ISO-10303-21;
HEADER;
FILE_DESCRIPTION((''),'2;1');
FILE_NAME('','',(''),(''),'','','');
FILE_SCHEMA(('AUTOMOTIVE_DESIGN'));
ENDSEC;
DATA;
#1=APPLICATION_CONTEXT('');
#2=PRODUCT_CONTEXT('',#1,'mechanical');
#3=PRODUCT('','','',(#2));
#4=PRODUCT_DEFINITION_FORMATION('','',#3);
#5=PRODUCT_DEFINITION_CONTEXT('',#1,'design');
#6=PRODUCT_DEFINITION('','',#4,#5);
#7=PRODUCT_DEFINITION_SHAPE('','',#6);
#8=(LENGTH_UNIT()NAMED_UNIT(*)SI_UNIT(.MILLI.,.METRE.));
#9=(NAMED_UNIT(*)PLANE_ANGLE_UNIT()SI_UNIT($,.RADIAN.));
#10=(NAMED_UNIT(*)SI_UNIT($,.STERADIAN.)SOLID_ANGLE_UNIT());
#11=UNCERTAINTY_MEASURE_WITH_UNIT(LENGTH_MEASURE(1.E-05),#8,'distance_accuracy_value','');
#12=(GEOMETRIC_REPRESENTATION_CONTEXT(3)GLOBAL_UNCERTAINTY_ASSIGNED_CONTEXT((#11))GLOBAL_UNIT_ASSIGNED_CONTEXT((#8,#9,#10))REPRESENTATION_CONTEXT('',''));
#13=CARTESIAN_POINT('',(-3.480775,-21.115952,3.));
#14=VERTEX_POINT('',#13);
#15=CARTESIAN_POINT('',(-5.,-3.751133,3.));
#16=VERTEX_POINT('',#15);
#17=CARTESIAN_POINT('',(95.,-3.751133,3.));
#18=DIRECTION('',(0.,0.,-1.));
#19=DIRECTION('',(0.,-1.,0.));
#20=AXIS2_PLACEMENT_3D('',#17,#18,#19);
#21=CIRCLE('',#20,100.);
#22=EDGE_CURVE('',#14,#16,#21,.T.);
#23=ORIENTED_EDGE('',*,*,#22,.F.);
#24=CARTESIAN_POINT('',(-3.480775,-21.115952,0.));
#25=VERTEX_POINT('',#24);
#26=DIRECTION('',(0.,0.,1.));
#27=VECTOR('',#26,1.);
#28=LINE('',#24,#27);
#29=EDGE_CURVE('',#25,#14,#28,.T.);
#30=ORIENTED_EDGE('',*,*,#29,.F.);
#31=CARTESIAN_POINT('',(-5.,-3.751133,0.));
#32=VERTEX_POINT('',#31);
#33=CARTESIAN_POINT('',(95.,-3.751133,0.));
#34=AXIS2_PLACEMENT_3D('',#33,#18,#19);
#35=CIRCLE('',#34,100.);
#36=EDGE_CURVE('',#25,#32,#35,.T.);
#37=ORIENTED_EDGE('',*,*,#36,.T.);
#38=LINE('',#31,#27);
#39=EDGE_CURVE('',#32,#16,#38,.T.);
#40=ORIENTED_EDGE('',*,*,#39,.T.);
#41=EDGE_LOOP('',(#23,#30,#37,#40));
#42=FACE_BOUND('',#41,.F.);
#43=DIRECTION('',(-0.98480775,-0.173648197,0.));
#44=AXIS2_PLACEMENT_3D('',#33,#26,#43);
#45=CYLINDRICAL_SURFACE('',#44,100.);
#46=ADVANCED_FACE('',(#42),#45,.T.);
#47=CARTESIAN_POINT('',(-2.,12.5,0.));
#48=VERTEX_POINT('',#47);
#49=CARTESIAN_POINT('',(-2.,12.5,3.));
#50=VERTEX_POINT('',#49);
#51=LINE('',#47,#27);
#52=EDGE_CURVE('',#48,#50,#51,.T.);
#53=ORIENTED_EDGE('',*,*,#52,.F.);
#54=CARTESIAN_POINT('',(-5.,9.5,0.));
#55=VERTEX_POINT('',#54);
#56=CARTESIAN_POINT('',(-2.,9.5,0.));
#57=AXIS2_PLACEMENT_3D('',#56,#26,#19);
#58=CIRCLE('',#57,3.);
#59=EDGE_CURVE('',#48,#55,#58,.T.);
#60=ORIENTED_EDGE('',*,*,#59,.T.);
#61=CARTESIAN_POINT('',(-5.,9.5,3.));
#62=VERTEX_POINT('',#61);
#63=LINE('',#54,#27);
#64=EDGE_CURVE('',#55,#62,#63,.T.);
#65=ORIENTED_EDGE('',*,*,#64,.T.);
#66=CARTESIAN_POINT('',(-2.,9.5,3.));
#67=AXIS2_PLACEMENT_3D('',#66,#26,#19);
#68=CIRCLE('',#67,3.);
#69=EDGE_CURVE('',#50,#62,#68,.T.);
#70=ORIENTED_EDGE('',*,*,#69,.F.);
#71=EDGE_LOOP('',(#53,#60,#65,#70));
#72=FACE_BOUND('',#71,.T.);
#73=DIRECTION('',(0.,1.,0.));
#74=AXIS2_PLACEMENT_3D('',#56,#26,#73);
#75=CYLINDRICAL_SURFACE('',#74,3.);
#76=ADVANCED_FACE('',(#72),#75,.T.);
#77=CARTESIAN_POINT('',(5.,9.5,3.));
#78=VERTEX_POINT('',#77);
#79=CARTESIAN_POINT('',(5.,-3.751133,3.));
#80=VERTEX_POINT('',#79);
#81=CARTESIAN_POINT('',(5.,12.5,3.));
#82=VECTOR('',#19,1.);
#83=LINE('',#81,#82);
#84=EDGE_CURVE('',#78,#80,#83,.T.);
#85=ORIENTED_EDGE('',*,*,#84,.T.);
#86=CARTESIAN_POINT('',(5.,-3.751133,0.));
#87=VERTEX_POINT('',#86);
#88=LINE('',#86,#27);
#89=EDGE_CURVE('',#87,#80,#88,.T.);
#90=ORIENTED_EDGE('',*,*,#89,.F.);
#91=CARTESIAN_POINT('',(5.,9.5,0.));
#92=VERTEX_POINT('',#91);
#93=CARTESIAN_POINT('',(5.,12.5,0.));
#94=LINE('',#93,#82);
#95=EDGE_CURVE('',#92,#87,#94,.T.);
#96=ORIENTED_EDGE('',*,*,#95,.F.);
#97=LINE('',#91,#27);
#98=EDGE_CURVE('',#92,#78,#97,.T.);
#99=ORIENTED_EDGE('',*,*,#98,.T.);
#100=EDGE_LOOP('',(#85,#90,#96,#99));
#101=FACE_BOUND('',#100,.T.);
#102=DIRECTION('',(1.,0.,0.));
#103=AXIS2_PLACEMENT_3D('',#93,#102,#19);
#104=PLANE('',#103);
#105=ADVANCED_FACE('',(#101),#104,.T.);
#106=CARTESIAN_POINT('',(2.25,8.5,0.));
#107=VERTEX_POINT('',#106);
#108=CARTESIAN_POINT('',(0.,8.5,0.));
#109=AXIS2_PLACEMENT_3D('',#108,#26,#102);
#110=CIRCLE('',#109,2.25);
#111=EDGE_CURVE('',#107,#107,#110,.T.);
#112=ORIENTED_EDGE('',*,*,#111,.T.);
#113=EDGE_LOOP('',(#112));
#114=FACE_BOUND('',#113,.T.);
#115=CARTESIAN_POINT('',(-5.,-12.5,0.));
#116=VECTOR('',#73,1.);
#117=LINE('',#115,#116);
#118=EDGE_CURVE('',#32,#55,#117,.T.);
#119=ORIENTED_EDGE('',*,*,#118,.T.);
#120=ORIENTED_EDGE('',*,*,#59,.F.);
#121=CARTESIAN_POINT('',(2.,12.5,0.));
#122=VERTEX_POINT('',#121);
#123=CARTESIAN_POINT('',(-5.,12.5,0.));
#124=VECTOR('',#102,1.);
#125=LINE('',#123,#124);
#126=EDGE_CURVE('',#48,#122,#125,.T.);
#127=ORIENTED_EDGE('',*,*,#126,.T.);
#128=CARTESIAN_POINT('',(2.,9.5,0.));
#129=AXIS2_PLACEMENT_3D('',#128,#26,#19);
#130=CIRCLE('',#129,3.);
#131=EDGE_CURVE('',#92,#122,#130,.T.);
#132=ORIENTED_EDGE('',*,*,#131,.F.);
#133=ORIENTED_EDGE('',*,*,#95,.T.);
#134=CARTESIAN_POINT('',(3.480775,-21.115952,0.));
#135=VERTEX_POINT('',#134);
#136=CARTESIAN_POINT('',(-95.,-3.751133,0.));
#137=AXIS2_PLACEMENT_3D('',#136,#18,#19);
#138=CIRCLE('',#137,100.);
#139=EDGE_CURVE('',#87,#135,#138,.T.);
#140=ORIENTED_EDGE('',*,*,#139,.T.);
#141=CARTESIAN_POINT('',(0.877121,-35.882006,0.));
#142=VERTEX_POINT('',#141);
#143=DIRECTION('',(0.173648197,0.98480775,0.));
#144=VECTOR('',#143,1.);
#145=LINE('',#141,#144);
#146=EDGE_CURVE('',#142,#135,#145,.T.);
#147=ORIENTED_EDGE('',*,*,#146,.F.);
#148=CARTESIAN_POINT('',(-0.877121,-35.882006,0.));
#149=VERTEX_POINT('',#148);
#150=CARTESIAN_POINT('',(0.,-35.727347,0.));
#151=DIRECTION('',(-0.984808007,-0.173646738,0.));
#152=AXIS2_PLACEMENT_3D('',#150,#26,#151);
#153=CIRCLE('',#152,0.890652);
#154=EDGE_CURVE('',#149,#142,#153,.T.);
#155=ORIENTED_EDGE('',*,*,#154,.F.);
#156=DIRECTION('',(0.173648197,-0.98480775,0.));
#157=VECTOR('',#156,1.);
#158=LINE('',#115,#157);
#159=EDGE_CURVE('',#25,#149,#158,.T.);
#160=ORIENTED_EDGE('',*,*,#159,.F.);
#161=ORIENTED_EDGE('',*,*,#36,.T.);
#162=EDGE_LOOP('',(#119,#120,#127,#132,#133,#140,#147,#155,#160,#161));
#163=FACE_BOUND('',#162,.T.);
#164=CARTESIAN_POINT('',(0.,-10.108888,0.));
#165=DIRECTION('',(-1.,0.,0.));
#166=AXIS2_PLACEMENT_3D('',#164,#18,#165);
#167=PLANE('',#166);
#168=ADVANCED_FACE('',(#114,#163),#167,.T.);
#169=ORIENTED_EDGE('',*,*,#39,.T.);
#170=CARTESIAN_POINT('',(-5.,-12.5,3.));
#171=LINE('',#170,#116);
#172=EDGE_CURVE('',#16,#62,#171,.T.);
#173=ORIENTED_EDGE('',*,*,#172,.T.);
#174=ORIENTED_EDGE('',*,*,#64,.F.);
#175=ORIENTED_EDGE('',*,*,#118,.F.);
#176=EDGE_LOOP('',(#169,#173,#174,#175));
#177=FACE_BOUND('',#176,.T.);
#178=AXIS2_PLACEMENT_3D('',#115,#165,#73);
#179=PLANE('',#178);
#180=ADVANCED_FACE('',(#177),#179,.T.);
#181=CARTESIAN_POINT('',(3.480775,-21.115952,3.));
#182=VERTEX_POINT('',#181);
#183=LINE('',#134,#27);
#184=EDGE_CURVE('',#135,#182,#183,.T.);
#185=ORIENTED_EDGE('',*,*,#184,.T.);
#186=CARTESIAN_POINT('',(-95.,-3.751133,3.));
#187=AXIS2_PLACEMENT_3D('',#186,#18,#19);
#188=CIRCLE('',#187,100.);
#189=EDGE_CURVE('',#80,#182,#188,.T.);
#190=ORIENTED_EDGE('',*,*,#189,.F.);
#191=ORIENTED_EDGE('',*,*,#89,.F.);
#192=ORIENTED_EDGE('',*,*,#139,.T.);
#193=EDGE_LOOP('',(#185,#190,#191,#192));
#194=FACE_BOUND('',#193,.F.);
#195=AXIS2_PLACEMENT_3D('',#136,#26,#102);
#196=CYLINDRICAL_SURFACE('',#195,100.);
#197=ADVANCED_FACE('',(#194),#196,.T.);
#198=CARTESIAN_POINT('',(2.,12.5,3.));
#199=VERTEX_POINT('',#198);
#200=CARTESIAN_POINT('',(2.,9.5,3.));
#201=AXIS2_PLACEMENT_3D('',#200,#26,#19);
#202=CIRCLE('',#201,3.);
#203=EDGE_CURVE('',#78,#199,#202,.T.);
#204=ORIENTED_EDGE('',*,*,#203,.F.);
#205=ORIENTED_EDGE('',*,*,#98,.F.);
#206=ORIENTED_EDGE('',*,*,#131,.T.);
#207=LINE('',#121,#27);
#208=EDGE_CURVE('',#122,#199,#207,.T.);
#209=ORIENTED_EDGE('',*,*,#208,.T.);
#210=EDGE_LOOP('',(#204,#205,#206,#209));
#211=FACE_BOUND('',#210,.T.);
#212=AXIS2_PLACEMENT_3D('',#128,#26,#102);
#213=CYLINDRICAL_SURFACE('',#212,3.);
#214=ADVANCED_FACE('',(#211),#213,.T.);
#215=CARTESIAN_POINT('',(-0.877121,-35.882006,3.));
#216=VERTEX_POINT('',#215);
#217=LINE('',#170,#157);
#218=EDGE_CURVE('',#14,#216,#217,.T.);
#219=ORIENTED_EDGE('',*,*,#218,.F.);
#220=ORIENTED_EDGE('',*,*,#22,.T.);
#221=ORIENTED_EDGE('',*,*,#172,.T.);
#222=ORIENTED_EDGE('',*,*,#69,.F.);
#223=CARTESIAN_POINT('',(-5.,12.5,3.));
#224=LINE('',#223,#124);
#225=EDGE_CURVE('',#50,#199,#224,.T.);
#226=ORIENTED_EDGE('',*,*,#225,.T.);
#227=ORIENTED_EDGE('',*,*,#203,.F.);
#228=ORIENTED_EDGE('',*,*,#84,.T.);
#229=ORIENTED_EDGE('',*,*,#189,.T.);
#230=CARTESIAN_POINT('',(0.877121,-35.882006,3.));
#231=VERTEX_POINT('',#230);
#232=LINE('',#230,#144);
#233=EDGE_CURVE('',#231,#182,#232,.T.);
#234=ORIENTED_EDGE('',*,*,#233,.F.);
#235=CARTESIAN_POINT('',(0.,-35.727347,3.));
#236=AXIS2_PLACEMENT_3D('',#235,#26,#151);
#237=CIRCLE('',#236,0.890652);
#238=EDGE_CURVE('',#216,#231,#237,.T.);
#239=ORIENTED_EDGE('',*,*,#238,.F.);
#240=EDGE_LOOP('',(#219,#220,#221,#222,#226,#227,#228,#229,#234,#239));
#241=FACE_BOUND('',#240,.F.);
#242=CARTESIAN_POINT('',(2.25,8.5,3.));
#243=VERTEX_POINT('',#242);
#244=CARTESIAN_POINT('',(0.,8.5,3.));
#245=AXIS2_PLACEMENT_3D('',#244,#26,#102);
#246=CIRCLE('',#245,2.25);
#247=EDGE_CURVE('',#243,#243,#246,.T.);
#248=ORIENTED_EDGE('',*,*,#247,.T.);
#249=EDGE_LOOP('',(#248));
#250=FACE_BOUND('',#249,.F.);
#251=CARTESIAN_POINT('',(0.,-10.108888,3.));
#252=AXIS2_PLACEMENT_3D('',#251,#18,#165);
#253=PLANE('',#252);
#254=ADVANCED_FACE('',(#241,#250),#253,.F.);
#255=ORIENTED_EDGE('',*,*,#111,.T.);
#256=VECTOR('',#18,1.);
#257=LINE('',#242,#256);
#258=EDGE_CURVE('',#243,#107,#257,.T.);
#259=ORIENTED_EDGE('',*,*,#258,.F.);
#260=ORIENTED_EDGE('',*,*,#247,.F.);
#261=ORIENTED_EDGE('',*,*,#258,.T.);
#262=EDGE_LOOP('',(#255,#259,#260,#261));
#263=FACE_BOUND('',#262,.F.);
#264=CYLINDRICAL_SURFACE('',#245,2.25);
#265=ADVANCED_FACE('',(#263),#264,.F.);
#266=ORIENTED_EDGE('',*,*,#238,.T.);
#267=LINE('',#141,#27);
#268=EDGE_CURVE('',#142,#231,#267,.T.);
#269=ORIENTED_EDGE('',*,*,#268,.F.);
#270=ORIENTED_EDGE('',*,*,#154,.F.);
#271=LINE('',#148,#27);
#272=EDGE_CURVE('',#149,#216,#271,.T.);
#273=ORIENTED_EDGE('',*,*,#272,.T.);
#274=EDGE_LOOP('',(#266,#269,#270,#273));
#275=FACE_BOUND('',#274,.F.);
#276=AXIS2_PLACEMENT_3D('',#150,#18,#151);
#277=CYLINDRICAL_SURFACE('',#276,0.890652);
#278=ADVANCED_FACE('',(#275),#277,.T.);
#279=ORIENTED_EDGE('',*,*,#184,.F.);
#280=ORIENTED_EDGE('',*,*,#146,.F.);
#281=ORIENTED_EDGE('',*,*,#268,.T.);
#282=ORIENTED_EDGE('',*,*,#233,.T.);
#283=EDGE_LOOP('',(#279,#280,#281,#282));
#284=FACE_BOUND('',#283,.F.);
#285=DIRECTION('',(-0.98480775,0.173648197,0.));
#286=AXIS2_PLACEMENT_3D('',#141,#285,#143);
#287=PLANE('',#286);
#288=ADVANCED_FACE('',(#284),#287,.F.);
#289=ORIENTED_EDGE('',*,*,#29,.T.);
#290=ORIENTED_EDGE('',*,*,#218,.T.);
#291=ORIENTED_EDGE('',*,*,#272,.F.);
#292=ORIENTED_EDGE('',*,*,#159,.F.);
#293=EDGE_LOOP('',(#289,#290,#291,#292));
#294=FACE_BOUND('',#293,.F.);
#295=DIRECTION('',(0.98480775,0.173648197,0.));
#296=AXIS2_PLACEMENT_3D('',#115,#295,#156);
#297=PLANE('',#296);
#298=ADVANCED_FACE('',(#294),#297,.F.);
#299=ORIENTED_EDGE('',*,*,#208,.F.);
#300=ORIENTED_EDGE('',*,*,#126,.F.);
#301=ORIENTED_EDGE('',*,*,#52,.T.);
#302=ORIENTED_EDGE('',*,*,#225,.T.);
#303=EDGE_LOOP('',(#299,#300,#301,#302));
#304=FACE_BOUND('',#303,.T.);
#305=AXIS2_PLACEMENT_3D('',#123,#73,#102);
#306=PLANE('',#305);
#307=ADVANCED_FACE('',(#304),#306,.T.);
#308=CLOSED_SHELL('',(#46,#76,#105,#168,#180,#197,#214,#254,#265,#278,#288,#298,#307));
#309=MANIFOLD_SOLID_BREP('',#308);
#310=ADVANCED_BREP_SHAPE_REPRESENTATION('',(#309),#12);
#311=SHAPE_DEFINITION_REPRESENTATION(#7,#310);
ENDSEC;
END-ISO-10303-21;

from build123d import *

# Parameters (mm, degrees)
PAD_DEPTH    = 3
FILLET_R     = 100
FILLET001_R  = 3
SKETCH001_R  = 2.25
POCKET_DEPTH = 5


with BuildPart() as part:
    # Sketch → Pad (new body)
    with BuildSketch(Plane.XY):
        with BuildLine():
            Line((-5, 12.5), (5, 12.5))
            Line((5, 12.5), (5, -12.5))
            Line((0.877121, -35.882006), (5, -12.5))
            ThreePointArc((-0.877121, -35.882006), (0, -36.617999), (0.877121, -35.882006))
            Line((-5, -12.5), (-0.877121, -35.882006))
            Line((-5, -12.5), (-5, 12.5))
        make_face()
    extrude(amount=PAD_DEPTH)

    # Fillet
    fillet_edges = [part.edges().sort_by_distance(p)[0] for p in [
        (5, -12.5, 1.5),
        (-5, -12.5, 1.5),
    ]]
    fillet(fillet_edges, radius=FILLET_R)

    # Fillet001
    fillet001_edges = [part.edges().sort_by_distance(p)[0] for p in [
        (5, 12.5, 1.5),
        (-5, 12.5, 1.5),
    ]]
    fillet(fillet001_edges, radius=FILLET001_R)

    # Sketch001 (on Face5 of Fillet001) → Pocket (cut)
    with BuildSketch(Plane.XY.offset(3)):
        with Locations((0, 8.5)):
            Circle(SKETCH001_R)
    extrude(amount=-POCKET_DEPTH, mode=Mode.SUBTRACT)


solid = part.part
